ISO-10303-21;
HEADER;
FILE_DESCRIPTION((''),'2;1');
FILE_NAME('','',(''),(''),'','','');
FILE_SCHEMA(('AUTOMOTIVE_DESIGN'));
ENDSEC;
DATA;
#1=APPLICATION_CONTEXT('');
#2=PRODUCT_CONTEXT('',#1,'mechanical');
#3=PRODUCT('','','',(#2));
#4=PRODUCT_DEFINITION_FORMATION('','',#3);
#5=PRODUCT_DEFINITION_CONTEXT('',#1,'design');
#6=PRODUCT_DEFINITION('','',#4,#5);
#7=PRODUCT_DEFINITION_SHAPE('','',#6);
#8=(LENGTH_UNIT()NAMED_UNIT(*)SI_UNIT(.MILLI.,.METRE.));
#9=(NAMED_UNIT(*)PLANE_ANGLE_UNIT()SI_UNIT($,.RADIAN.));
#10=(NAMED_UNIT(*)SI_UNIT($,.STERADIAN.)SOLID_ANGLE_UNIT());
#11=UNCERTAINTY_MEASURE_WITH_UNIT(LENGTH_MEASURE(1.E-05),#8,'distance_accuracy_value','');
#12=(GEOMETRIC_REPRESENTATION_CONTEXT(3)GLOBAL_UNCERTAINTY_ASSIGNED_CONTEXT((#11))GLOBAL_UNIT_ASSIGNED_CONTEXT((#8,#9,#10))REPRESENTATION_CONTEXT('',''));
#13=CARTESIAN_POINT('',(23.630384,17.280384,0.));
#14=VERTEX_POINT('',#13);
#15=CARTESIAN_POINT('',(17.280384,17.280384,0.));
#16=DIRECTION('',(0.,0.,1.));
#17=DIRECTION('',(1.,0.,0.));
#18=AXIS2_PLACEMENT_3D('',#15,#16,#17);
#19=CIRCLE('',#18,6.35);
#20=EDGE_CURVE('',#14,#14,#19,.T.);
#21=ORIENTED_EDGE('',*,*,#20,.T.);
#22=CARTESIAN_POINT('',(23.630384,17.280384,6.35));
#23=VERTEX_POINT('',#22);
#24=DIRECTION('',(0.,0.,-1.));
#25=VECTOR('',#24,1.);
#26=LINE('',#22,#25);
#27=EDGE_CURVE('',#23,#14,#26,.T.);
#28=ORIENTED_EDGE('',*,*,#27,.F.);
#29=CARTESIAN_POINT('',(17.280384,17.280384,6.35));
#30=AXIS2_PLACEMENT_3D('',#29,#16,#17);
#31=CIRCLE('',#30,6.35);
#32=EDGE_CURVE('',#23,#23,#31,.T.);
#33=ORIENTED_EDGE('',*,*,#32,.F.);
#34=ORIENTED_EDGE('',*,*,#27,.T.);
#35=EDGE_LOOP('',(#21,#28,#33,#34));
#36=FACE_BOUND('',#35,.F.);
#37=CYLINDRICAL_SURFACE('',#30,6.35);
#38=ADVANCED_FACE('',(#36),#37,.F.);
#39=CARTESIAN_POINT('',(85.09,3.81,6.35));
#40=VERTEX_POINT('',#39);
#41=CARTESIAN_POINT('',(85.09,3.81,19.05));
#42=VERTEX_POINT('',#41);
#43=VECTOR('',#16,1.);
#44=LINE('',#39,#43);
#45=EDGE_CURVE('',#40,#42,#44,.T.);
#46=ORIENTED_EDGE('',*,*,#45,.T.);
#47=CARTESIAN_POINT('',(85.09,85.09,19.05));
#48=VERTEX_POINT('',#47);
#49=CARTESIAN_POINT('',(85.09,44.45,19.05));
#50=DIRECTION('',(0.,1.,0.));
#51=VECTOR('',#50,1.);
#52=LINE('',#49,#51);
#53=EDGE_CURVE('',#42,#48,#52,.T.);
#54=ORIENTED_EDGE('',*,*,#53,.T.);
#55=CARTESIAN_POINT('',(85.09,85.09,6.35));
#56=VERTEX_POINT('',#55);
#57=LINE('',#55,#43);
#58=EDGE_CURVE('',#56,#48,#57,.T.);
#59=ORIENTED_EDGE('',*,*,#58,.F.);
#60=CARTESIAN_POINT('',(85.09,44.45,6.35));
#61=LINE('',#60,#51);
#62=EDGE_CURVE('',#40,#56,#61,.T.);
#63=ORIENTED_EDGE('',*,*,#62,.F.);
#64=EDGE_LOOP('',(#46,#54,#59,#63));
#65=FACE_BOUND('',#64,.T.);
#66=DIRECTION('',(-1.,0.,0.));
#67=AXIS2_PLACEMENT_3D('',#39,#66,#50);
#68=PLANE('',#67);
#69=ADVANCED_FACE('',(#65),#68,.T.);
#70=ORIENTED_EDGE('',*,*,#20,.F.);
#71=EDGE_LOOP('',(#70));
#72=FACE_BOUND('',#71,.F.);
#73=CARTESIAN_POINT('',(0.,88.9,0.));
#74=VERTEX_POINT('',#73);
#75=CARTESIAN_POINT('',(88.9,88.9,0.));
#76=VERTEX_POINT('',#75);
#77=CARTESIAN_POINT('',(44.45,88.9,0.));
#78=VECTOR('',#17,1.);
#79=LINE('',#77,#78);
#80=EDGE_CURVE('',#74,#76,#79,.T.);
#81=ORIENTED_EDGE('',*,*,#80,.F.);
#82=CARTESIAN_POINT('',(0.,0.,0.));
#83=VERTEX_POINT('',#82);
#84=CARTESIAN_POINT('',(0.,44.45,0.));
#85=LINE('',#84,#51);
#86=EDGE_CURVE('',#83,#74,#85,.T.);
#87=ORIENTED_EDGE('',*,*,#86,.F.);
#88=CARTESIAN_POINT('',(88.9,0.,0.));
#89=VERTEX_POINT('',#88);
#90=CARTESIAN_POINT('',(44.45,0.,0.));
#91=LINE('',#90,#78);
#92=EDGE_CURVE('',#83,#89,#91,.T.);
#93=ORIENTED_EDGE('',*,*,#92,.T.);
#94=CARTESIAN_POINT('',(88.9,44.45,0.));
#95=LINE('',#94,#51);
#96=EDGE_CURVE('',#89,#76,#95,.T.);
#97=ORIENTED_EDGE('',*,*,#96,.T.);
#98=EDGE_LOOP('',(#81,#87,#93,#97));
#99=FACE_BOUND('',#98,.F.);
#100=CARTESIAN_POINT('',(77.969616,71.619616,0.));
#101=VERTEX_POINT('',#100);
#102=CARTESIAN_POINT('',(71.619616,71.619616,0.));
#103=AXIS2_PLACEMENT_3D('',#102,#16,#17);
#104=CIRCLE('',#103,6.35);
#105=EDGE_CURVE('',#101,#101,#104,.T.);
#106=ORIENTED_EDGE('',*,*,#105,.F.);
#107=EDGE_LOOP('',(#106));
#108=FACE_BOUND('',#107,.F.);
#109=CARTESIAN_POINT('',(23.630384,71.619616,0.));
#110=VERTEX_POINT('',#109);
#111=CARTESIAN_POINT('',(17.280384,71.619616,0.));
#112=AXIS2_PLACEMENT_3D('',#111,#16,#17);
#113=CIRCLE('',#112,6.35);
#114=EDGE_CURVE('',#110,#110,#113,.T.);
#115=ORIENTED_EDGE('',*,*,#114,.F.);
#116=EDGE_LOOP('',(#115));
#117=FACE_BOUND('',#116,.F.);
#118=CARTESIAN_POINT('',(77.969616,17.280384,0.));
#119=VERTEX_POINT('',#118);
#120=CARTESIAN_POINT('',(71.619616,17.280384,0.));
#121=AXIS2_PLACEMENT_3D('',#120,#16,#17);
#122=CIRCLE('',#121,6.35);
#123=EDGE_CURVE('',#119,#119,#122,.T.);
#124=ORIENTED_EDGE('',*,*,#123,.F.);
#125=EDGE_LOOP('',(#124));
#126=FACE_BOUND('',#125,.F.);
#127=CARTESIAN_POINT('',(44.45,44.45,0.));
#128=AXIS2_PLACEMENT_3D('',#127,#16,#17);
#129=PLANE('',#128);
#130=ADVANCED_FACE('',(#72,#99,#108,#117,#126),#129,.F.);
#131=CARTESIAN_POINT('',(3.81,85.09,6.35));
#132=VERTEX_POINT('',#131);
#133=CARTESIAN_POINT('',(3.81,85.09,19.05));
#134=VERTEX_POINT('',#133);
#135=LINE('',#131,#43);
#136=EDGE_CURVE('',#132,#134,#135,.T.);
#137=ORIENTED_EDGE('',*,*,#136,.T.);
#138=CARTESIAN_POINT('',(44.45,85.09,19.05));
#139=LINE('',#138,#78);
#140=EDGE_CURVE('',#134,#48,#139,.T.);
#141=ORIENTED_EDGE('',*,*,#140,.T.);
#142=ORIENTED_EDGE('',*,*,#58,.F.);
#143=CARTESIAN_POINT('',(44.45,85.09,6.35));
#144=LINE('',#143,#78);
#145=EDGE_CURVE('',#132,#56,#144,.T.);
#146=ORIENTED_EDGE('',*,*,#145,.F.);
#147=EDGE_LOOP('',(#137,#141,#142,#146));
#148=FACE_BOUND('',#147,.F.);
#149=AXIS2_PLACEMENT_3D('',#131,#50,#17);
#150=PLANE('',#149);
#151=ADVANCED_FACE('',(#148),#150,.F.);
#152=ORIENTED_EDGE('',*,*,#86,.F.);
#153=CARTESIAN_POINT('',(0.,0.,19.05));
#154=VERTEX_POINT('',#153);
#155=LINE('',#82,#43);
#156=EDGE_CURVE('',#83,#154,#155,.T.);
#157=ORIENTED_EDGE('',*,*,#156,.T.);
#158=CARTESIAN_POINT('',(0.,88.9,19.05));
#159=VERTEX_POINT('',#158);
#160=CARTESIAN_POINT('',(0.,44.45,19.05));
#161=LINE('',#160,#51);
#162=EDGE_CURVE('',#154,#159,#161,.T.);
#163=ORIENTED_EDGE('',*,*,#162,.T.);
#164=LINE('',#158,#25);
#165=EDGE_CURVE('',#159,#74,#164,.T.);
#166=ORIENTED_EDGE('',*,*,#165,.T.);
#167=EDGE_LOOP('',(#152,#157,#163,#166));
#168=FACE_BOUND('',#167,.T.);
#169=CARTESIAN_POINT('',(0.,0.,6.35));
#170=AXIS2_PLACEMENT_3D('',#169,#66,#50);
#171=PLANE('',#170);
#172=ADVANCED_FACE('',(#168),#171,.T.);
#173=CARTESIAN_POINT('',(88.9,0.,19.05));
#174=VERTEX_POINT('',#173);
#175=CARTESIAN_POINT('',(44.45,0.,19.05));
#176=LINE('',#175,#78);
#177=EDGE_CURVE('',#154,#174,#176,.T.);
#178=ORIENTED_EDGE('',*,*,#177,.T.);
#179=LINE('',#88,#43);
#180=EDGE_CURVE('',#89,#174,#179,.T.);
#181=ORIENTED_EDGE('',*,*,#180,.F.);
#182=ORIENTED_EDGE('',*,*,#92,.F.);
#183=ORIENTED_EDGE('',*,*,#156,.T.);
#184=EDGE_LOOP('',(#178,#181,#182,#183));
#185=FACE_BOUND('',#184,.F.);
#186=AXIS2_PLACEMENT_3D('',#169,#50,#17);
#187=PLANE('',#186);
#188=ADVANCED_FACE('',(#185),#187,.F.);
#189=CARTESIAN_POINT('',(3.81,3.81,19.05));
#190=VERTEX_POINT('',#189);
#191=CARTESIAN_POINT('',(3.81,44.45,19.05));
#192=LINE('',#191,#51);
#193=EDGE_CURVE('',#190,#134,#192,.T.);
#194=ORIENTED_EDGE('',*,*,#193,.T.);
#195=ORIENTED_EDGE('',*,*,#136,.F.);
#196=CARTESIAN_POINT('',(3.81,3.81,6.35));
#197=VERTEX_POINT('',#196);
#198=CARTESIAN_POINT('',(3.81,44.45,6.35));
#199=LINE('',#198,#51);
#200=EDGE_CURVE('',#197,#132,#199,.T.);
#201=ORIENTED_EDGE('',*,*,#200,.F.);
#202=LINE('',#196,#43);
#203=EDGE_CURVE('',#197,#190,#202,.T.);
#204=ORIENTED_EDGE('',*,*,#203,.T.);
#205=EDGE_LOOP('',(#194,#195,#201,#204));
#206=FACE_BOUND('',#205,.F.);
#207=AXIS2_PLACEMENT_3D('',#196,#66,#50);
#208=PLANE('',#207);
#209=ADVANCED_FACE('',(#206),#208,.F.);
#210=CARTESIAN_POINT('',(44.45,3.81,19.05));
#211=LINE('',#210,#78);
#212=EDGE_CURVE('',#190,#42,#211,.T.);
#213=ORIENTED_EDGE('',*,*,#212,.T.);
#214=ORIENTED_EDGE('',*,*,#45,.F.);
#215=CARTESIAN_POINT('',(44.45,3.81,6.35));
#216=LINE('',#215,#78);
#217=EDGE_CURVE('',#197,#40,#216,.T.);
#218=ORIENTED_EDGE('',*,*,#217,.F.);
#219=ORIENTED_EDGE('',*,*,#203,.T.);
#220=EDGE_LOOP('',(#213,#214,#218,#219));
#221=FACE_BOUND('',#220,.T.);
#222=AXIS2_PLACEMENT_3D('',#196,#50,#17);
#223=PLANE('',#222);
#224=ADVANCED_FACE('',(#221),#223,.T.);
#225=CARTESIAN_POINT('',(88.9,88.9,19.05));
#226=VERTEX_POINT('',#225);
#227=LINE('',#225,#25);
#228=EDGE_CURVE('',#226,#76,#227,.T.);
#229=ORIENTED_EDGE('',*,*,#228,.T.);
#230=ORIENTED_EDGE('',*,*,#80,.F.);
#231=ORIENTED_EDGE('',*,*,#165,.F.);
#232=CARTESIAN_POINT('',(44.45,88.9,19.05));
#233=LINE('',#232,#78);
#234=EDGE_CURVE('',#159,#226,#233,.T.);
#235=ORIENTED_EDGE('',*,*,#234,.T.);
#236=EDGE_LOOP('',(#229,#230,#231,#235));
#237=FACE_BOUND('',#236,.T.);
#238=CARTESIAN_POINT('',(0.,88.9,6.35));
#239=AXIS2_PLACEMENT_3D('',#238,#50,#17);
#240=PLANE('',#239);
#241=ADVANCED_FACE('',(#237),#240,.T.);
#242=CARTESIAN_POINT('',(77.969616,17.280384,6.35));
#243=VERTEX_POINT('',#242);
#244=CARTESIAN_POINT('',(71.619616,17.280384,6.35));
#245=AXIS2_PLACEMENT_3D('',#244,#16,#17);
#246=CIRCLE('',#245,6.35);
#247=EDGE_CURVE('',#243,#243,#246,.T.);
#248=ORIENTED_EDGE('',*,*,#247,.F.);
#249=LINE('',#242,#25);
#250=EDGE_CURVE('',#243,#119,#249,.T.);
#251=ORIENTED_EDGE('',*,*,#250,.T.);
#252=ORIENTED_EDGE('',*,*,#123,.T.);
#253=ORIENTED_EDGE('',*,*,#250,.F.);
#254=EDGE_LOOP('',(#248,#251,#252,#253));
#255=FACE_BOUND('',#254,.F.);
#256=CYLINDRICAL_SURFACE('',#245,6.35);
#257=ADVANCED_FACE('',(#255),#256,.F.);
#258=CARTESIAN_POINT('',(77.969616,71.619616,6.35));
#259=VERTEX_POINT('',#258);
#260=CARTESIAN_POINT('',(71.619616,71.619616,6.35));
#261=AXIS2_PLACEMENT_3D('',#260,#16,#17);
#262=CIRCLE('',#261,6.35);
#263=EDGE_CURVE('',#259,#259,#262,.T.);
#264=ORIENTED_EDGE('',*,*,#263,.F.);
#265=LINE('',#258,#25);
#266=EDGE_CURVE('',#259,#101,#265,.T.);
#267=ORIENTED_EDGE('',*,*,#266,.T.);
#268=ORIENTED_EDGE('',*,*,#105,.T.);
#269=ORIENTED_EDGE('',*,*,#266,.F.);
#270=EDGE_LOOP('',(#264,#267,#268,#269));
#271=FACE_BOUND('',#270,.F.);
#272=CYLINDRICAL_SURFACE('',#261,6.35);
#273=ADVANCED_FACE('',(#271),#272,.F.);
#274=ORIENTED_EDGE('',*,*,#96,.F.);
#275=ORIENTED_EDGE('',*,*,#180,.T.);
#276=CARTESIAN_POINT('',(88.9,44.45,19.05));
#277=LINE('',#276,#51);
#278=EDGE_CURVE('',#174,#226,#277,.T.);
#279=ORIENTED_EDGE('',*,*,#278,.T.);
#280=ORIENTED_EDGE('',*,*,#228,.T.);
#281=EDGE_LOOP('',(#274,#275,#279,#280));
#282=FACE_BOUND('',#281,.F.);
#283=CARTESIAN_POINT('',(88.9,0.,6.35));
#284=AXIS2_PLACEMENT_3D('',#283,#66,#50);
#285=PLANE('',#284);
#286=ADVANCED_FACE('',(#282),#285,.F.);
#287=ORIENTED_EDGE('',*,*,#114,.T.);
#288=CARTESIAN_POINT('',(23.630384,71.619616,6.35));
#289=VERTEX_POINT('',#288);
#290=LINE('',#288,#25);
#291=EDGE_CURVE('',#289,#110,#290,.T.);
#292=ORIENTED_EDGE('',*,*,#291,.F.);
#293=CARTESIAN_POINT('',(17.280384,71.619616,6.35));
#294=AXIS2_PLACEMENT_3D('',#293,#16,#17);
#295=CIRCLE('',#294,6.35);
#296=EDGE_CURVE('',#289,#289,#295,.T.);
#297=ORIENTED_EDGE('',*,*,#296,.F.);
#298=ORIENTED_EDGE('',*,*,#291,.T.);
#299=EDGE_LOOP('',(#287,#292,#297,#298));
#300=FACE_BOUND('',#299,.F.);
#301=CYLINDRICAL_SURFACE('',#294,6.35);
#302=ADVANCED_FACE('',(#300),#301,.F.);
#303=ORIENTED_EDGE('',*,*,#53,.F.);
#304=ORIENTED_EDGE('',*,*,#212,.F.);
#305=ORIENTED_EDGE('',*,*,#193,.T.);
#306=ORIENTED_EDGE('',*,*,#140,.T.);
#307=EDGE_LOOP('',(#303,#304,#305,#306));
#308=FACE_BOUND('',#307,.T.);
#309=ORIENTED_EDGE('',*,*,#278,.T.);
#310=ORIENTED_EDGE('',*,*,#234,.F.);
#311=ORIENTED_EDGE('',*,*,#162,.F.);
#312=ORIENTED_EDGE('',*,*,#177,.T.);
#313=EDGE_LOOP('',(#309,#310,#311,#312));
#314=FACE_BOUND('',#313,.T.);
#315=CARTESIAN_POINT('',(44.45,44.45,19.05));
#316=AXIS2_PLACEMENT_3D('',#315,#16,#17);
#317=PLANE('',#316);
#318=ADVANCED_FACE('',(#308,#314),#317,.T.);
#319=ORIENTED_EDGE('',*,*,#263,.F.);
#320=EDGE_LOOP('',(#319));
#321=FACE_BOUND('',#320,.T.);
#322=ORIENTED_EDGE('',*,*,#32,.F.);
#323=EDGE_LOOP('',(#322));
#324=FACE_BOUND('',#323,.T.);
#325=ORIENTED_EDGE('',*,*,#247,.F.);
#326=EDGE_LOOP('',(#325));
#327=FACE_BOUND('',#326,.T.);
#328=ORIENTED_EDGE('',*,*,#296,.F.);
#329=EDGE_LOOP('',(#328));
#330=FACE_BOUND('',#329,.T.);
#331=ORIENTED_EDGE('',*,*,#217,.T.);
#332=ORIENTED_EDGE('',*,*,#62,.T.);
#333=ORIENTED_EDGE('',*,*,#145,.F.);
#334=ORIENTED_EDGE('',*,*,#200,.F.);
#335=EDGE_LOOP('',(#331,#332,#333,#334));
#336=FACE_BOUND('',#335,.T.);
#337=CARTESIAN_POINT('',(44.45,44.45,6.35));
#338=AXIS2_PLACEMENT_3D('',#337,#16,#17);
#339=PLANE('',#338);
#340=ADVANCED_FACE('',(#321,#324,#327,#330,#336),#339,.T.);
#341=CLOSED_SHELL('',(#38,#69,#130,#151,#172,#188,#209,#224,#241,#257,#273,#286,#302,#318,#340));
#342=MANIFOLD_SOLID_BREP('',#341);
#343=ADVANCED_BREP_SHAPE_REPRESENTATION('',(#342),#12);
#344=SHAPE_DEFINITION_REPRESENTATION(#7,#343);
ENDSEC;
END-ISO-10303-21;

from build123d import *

# Parameters (mm, degrees)
F0_W     = 88.9
F0_H     = 88.9
F1_DEPTH = 6.35
F2_W     = 88.9
F2_H     = 88.9
F2_W_2   = 81.28
F2_H_2   = 81.28
F3_DEPTH = 12.7
F4_R     = 6.35
F5_DEPTH = 6.351


with BuildPart() as f1:
    # F0 (on Top) → F1 (new body)
    with BuildSketch(Plane.XY):
        with Locations((44.45, 44.45)):
            Rectangle(F0_W, F0_H)
    extrude(amount=F1_DEPTH)

    # F2 (on face) → F3 (join)
    with BuildSketch(Plane.XY.offset(6.35)):
        with Locations((44.45, 44.45)):
            Rectangle(F2_W, F2_H)
        with Locations((44.45, 44.45)):
            Rectangle(F2_W_2, F2_H_2, mode=Mode.SUBTRACT)
    extrude(amount=F3_DEPTH)

    # F4 (on face) → F5 (cut, through all)
    with BuildSketch(Plane.XY.offset(6.35)):
        with Locations((17.280384, 71.619616)):
            Circle(F4_R)
        with Locations((17.280384, 17.280384)):
            Circle(F4_R)
        with Locations((71.619616, 17.280384)):
            Circle(F4_R)
        with Locations((71.619616, 71.619616)):
            Circle(F4_R)
    extrude(amount=-F5_DEPTH, mode=Mode.SUBTRACT)


solid = f1.part
